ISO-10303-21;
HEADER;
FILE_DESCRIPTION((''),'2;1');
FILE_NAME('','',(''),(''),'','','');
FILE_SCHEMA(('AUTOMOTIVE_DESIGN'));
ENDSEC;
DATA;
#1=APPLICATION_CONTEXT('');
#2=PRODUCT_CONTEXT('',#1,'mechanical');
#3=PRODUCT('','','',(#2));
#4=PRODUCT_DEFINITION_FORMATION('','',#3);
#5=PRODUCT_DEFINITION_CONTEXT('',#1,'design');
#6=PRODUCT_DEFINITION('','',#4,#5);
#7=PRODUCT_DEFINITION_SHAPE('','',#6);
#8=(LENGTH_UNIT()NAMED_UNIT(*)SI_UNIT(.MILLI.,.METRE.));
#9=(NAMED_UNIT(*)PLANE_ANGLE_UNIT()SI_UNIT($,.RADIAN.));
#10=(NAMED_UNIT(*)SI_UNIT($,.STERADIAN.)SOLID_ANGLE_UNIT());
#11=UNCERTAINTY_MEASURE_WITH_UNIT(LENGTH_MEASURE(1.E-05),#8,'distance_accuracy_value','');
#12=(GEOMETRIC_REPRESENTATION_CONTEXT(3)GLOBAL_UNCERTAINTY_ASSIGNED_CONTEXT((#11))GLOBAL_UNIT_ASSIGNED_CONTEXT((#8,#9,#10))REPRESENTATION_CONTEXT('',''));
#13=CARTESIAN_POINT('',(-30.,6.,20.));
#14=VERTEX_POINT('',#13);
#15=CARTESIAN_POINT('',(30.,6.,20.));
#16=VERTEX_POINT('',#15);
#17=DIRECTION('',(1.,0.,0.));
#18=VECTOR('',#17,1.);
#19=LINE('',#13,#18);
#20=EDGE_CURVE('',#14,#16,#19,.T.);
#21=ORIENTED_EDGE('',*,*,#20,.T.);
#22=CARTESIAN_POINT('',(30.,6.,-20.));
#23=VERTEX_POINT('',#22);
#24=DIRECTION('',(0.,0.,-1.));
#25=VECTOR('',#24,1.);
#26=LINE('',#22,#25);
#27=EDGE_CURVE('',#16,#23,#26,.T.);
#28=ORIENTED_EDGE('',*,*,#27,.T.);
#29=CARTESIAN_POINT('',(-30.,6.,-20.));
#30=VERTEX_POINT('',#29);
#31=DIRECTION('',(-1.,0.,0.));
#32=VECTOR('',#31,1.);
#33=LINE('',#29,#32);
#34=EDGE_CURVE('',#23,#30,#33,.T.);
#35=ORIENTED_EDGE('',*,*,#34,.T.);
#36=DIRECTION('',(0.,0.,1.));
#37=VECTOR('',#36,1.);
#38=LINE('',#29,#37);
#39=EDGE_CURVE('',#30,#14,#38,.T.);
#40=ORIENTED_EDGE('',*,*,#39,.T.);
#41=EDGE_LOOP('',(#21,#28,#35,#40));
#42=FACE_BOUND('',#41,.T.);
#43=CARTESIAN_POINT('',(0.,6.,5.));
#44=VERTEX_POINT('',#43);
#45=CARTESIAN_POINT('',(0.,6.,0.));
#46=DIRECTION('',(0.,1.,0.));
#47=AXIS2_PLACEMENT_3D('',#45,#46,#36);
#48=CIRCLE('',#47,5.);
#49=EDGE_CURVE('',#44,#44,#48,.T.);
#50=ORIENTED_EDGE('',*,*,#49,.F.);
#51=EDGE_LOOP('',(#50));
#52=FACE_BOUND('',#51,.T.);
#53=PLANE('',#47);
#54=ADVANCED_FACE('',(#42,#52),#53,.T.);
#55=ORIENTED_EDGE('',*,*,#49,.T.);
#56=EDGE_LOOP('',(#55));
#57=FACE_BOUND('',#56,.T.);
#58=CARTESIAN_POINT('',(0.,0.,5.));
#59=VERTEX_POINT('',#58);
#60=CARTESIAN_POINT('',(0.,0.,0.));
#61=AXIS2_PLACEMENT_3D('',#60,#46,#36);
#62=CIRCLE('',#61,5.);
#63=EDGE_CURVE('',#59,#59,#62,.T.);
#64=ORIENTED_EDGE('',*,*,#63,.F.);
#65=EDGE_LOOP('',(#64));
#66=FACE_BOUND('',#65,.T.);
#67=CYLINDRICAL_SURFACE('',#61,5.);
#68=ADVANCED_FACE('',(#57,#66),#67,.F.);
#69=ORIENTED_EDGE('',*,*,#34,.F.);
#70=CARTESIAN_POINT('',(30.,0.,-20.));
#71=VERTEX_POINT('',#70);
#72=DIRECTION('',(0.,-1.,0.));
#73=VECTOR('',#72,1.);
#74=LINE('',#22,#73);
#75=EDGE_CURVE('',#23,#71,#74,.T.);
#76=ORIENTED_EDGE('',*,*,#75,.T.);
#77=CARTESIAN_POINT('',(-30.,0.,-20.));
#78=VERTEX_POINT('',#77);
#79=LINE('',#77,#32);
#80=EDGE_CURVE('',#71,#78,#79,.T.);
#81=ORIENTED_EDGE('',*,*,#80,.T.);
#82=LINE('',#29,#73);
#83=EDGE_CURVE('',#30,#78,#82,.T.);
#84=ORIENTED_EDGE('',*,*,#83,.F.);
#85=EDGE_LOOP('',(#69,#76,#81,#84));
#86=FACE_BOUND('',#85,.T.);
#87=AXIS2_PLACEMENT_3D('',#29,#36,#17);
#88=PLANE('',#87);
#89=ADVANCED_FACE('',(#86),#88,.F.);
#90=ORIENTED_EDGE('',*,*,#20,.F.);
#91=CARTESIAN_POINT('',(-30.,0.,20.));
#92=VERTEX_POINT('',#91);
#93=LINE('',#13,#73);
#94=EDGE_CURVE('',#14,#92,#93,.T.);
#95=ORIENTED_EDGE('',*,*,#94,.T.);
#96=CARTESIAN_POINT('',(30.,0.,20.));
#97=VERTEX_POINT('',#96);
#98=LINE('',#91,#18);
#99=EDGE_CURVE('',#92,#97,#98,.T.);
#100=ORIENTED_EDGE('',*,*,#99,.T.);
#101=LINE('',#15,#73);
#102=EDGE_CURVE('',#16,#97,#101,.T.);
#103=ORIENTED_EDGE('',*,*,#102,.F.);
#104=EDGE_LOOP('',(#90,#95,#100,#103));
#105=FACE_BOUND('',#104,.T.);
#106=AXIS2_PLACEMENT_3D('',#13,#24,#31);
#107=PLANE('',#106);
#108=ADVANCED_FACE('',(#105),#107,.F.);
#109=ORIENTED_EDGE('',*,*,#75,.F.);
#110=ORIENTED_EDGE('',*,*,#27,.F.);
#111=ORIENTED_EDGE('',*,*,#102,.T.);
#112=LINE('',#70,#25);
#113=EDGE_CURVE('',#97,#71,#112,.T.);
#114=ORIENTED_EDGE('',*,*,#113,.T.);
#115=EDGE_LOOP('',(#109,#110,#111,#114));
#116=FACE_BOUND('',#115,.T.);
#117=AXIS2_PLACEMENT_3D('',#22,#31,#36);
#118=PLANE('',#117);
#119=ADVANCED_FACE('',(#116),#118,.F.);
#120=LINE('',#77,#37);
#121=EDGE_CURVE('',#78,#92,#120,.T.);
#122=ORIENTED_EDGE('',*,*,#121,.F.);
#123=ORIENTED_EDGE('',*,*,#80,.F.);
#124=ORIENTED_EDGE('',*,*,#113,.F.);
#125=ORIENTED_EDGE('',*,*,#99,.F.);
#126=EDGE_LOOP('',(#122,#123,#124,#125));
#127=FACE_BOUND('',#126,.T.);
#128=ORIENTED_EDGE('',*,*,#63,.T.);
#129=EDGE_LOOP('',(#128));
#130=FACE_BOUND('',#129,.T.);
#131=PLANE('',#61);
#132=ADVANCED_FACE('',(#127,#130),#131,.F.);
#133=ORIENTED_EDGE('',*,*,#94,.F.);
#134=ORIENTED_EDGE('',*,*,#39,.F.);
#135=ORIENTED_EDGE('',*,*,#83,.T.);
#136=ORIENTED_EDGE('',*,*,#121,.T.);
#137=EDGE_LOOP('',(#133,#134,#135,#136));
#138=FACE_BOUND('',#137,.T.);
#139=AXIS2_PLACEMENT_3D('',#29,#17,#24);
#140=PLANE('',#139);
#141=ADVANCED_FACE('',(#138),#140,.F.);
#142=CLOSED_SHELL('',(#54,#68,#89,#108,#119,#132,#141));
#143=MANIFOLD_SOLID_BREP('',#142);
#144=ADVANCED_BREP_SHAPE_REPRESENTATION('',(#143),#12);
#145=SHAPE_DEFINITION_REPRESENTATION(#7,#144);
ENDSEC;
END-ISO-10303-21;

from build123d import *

# Parameters (mm, degrees)
SKETCH1_W           = 60
SKETCH1_H           = 40
BOSS_EXTRUDE1_DEPTH = 6
SKETCH2_R           = 5
CUT_EXTRUDE1_DEPTH  = 6


with BuildPart() as part:
    # Sketch1 → Boss-Extrude1 (new body)
    with BuildSketch(Plane(origin=(0, 0, 0), x_dir=(1, 0, 0), z_dir=(0, 1, 0))):
        Rectangle(SKETCH1_W, SKETCH1_H)
    extrude(amount=BOSS_EXTRUDE1_DEPTH)

    # Sketch2 → Cut-Extrude1 (cut)
    with BuildSketch(Plane(origin=(0, 6, 0), x_dir=(1, 0, 0), z_dir=(0, 1, 0))):
        with Locations(Location((0, 0, 0), (0, 0, 270))):
            Circle(SKETCH2_R)
    extrude(amount=-CUT_EXTRUDE1_DEPTH, mode=Mode.SUBTRACT)


solid = part.part
